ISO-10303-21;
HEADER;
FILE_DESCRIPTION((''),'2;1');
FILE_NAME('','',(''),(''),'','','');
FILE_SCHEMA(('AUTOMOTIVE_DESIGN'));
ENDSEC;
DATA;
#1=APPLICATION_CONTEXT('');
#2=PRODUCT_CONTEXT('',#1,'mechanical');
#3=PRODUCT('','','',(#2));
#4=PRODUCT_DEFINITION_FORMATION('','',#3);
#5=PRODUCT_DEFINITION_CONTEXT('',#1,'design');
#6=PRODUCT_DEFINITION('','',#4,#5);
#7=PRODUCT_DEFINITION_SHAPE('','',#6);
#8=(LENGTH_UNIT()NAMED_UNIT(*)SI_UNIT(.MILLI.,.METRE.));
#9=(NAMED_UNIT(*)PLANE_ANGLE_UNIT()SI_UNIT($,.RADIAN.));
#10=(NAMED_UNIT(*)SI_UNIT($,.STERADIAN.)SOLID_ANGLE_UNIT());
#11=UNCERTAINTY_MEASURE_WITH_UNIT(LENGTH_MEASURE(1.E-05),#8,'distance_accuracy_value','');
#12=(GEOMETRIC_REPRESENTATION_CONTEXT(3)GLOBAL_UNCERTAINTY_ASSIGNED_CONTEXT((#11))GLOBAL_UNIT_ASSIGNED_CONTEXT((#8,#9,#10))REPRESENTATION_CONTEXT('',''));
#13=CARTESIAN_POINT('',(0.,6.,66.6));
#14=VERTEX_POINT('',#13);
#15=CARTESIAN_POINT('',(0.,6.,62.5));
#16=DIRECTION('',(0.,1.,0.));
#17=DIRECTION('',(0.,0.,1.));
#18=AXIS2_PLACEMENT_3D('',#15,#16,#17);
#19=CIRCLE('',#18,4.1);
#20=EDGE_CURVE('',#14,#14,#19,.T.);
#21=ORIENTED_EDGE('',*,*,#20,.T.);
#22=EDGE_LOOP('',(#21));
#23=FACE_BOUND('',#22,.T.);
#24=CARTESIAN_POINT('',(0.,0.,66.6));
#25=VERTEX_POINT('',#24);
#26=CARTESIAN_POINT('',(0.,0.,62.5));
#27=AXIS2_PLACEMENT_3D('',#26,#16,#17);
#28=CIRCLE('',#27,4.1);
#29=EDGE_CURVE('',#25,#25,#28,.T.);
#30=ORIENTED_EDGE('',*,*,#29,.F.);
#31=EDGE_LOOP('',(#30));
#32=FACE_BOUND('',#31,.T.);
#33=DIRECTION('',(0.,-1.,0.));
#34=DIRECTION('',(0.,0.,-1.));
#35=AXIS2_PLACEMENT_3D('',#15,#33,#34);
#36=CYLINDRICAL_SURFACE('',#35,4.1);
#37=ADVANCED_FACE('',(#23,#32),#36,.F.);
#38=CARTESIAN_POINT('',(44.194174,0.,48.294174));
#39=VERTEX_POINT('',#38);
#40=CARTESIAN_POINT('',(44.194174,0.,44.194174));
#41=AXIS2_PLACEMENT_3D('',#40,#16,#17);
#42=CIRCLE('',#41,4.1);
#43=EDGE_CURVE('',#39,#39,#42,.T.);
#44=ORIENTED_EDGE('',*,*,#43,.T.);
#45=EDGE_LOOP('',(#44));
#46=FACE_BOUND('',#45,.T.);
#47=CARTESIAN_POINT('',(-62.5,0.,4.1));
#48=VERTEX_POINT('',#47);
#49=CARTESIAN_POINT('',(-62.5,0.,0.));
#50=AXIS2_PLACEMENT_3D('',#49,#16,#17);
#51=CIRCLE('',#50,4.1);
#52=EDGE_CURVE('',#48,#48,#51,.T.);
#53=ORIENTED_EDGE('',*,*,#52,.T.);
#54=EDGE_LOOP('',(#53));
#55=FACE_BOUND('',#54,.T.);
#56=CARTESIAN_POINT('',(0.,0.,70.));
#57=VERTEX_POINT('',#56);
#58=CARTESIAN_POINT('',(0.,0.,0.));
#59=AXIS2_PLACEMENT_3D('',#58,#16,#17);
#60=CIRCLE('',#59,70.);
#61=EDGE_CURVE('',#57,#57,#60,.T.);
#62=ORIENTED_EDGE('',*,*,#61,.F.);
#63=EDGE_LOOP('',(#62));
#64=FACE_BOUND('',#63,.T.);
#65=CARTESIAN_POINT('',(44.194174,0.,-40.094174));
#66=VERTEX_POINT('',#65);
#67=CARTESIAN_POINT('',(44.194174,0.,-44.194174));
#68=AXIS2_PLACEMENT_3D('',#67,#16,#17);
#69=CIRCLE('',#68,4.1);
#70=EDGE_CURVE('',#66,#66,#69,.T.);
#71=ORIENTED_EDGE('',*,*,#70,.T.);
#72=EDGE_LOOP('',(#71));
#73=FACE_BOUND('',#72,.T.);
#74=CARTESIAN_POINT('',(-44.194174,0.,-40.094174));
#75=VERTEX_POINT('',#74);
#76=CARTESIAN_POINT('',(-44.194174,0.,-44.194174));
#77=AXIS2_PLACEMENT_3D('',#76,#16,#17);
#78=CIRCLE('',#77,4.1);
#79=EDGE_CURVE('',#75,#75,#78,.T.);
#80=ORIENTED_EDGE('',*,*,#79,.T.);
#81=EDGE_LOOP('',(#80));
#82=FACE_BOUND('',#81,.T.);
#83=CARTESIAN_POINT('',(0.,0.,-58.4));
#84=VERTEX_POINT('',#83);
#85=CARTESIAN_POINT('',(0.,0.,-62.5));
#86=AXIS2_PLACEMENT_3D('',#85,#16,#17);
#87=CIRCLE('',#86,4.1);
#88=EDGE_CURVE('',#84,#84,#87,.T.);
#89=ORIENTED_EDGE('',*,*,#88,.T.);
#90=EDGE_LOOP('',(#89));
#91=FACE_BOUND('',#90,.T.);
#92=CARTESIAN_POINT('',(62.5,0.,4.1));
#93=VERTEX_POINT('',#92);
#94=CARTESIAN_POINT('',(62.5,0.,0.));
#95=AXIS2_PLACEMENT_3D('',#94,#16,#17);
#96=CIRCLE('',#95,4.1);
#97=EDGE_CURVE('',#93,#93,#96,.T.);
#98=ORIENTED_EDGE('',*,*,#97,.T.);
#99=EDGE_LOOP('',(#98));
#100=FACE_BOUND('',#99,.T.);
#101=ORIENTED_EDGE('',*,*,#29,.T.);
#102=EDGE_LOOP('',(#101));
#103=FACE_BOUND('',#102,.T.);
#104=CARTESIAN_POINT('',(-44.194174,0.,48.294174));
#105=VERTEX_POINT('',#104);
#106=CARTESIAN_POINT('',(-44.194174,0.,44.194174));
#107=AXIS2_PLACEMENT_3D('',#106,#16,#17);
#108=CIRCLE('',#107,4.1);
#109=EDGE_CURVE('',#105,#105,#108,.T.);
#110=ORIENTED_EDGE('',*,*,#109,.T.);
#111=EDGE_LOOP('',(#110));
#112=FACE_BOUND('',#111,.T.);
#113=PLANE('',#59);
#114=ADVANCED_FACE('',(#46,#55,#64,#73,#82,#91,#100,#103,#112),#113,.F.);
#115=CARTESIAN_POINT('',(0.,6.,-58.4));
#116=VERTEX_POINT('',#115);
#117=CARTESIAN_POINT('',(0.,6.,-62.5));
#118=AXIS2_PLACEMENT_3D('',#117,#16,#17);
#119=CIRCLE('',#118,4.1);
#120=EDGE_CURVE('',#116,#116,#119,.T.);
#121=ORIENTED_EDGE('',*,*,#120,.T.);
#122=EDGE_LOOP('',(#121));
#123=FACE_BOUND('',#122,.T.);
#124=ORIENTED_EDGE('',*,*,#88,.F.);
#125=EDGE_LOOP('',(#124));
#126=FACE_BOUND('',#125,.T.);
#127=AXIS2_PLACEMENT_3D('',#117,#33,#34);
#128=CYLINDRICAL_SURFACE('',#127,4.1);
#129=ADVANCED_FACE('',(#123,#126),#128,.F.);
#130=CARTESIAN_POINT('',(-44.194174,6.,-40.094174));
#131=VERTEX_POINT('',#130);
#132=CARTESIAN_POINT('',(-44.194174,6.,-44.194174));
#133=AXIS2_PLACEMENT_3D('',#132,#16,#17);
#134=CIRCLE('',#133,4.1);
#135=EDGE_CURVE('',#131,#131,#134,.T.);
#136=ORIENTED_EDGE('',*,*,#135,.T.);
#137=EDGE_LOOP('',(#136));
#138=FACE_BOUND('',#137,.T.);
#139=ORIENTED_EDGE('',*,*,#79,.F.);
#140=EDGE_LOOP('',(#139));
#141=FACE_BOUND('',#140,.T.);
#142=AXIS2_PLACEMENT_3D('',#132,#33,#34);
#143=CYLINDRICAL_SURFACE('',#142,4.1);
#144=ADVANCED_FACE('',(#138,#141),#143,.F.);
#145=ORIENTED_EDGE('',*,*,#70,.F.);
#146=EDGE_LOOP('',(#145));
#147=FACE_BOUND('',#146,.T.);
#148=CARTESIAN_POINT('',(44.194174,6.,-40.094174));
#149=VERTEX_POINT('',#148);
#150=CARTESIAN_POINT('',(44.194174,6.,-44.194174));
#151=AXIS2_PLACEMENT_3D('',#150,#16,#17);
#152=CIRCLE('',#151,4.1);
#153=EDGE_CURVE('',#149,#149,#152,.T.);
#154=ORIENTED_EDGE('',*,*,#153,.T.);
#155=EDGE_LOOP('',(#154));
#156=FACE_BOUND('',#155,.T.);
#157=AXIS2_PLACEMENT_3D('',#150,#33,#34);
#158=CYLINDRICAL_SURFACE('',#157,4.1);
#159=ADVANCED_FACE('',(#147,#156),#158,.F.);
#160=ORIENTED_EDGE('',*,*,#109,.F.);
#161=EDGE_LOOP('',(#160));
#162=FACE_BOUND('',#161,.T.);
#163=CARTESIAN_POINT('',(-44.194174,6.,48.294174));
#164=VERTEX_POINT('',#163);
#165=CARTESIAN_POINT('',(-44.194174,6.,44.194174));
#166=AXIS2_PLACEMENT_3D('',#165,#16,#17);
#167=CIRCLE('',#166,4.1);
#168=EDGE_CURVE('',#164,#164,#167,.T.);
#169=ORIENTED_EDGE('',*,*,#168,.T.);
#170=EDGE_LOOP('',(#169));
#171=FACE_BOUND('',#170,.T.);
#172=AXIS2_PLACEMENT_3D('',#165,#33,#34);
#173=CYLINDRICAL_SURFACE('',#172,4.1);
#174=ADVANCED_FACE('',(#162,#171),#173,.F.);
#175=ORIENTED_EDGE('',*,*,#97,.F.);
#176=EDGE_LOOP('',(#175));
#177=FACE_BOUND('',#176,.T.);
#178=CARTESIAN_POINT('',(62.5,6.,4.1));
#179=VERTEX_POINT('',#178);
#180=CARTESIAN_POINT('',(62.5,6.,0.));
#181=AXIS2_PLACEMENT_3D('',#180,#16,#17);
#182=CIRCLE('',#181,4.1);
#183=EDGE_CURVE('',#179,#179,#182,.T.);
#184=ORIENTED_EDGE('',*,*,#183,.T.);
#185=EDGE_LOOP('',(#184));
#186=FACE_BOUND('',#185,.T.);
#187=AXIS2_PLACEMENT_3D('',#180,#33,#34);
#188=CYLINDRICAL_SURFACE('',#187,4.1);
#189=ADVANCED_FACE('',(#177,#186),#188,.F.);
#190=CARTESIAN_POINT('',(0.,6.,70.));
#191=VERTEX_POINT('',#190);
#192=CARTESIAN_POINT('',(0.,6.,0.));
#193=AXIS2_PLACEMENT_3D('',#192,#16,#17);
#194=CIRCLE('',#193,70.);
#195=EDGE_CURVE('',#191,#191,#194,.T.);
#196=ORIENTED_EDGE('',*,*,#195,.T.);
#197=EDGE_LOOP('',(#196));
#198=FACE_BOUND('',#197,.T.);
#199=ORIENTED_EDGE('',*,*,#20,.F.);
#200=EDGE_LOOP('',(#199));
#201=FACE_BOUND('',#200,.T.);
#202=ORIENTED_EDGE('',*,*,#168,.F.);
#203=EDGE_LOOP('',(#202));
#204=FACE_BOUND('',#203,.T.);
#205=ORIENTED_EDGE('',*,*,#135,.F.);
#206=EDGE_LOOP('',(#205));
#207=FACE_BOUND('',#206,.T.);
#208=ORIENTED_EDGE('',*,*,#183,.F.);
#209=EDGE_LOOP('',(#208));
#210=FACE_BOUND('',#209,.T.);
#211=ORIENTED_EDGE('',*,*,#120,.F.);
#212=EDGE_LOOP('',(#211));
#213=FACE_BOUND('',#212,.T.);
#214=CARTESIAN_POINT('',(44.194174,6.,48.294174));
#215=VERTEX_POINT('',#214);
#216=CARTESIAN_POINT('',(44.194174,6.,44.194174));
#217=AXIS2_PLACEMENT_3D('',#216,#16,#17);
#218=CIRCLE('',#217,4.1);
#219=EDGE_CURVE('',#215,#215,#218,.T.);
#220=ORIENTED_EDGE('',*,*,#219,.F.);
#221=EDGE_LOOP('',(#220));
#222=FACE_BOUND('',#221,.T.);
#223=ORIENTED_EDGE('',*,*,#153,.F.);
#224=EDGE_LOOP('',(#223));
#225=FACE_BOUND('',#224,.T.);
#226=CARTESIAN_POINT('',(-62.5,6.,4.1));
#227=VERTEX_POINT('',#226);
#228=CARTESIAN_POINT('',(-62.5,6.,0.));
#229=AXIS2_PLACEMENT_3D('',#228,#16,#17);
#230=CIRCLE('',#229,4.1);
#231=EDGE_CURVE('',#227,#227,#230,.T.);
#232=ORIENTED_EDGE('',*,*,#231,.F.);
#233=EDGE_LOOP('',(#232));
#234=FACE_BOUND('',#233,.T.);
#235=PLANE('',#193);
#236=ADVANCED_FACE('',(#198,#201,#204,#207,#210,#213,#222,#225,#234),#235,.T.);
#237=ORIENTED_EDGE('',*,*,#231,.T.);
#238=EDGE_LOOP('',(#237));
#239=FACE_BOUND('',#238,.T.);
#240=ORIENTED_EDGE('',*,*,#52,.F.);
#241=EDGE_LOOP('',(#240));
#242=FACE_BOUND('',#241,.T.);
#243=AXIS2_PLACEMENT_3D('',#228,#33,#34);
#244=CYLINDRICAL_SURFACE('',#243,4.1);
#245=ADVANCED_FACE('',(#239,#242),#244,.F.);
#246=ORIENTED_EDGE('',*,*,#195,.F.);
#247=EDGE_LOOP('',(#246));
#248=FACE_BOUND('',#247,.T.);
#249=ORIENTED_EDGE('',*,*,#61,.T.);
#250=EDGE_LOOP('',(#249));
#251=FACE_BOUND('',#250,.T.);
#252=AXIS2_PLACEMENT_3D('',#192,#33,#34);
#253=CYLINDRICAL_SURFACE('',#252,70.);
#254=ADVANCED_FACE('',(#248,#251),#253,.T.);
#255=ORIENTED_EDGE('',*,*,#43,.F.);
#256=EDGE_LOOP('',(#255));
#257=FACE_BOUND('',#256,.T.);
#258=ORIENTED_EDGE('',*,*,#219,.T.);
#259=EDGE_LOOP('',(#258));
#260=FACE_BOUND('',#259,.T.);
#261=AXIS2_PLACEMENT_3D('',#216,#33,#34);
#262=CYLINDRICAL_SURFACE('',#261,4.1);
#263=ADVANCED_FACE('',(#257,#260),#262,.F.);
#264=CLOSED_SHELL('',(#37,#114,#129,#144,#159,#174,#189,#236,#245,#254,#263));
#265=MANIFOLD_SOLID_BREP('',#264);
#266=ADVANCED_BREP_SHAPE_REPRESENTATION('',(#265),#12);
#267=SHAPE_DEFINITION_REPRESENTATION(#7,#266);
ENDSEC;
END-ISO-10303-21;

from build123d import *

# Parameters (mm, degrees)
ESQUISSE1_R        = 70
ESQUISSE1_R_2      = 4.1
BOSS_EXTRU_1_DEPTH = 6


with BuildPart() as part:
    # Esquisse1 → Boss.-Extru.1 (new body)
    with BuildSketch(Plane(origin=(0, 0, 0), x_dir=(1, 0, 0), z_dir=(0, 1, 0))):
        with Locations(Location((0, 0, 0), (0, 0, 270))):  # turned: the seam where the file's is
            Circle(ESQUISSE1_R)
        with Locations(Location((0, 62.5, 0), (0, 0, 270))):  # turned: the seam where the file's is
            Circle(ESQUISSE1_R_2, mode=Mode.SUBTRACT)
        with Locations(Location((44.194173824, 44.194173824, 0), (0, 0, 270))):  # turned: the seam where the file's is
            Circle(ESQUISSE1_R_2, mode=Mode.SUBTRACT)
        with Locations(Location((62.5, 0, 0), (0, 0, 270))):  # turned: the seam where the file's is
            Circle(ESQUISSE1_R_2, mode=Mode.SUBTRACT)
        with Locations(Location((44.194173824, -44.194173824, 0), (0, 0, 270))):  # turned: the seam where the file's is
            Circle(ESQUISSE1_R_2, mode=Mode.SUBTRACT)
        with Locations(Location((0, -62.5, 0), (0, 0, 270))):  # turned: the seam where the file's is
            Circle(ESQUISSE1_R_2, mode=Mode.SUBTRACT)
        with Locations(Location((-44.194173824, -44.194173824, 0), (0, 0, 270))):  # turned: the seam where the file's is
            Circle(ESQUISSE1_R_2, mode=Mode.SUBTRACT)
        with Locations(Location((-62.5, 0, 0), (0, 0, 270))):  # turned: the seam where the file's is
            Circle(ESQUISSE1_R_2, mode=Mode.SUBTRACT)
        with Locations(Location((-44.194173824, 44.194173824, 0), (0, 0, 270))):  # turned: the seam where the file's is
            Circle(ESQUISSE1_R_2, mode=Mode.SUBTRACT)
    extrude(amount=BOSS_EXTRU_1_DEPTH)


solid = part.part
